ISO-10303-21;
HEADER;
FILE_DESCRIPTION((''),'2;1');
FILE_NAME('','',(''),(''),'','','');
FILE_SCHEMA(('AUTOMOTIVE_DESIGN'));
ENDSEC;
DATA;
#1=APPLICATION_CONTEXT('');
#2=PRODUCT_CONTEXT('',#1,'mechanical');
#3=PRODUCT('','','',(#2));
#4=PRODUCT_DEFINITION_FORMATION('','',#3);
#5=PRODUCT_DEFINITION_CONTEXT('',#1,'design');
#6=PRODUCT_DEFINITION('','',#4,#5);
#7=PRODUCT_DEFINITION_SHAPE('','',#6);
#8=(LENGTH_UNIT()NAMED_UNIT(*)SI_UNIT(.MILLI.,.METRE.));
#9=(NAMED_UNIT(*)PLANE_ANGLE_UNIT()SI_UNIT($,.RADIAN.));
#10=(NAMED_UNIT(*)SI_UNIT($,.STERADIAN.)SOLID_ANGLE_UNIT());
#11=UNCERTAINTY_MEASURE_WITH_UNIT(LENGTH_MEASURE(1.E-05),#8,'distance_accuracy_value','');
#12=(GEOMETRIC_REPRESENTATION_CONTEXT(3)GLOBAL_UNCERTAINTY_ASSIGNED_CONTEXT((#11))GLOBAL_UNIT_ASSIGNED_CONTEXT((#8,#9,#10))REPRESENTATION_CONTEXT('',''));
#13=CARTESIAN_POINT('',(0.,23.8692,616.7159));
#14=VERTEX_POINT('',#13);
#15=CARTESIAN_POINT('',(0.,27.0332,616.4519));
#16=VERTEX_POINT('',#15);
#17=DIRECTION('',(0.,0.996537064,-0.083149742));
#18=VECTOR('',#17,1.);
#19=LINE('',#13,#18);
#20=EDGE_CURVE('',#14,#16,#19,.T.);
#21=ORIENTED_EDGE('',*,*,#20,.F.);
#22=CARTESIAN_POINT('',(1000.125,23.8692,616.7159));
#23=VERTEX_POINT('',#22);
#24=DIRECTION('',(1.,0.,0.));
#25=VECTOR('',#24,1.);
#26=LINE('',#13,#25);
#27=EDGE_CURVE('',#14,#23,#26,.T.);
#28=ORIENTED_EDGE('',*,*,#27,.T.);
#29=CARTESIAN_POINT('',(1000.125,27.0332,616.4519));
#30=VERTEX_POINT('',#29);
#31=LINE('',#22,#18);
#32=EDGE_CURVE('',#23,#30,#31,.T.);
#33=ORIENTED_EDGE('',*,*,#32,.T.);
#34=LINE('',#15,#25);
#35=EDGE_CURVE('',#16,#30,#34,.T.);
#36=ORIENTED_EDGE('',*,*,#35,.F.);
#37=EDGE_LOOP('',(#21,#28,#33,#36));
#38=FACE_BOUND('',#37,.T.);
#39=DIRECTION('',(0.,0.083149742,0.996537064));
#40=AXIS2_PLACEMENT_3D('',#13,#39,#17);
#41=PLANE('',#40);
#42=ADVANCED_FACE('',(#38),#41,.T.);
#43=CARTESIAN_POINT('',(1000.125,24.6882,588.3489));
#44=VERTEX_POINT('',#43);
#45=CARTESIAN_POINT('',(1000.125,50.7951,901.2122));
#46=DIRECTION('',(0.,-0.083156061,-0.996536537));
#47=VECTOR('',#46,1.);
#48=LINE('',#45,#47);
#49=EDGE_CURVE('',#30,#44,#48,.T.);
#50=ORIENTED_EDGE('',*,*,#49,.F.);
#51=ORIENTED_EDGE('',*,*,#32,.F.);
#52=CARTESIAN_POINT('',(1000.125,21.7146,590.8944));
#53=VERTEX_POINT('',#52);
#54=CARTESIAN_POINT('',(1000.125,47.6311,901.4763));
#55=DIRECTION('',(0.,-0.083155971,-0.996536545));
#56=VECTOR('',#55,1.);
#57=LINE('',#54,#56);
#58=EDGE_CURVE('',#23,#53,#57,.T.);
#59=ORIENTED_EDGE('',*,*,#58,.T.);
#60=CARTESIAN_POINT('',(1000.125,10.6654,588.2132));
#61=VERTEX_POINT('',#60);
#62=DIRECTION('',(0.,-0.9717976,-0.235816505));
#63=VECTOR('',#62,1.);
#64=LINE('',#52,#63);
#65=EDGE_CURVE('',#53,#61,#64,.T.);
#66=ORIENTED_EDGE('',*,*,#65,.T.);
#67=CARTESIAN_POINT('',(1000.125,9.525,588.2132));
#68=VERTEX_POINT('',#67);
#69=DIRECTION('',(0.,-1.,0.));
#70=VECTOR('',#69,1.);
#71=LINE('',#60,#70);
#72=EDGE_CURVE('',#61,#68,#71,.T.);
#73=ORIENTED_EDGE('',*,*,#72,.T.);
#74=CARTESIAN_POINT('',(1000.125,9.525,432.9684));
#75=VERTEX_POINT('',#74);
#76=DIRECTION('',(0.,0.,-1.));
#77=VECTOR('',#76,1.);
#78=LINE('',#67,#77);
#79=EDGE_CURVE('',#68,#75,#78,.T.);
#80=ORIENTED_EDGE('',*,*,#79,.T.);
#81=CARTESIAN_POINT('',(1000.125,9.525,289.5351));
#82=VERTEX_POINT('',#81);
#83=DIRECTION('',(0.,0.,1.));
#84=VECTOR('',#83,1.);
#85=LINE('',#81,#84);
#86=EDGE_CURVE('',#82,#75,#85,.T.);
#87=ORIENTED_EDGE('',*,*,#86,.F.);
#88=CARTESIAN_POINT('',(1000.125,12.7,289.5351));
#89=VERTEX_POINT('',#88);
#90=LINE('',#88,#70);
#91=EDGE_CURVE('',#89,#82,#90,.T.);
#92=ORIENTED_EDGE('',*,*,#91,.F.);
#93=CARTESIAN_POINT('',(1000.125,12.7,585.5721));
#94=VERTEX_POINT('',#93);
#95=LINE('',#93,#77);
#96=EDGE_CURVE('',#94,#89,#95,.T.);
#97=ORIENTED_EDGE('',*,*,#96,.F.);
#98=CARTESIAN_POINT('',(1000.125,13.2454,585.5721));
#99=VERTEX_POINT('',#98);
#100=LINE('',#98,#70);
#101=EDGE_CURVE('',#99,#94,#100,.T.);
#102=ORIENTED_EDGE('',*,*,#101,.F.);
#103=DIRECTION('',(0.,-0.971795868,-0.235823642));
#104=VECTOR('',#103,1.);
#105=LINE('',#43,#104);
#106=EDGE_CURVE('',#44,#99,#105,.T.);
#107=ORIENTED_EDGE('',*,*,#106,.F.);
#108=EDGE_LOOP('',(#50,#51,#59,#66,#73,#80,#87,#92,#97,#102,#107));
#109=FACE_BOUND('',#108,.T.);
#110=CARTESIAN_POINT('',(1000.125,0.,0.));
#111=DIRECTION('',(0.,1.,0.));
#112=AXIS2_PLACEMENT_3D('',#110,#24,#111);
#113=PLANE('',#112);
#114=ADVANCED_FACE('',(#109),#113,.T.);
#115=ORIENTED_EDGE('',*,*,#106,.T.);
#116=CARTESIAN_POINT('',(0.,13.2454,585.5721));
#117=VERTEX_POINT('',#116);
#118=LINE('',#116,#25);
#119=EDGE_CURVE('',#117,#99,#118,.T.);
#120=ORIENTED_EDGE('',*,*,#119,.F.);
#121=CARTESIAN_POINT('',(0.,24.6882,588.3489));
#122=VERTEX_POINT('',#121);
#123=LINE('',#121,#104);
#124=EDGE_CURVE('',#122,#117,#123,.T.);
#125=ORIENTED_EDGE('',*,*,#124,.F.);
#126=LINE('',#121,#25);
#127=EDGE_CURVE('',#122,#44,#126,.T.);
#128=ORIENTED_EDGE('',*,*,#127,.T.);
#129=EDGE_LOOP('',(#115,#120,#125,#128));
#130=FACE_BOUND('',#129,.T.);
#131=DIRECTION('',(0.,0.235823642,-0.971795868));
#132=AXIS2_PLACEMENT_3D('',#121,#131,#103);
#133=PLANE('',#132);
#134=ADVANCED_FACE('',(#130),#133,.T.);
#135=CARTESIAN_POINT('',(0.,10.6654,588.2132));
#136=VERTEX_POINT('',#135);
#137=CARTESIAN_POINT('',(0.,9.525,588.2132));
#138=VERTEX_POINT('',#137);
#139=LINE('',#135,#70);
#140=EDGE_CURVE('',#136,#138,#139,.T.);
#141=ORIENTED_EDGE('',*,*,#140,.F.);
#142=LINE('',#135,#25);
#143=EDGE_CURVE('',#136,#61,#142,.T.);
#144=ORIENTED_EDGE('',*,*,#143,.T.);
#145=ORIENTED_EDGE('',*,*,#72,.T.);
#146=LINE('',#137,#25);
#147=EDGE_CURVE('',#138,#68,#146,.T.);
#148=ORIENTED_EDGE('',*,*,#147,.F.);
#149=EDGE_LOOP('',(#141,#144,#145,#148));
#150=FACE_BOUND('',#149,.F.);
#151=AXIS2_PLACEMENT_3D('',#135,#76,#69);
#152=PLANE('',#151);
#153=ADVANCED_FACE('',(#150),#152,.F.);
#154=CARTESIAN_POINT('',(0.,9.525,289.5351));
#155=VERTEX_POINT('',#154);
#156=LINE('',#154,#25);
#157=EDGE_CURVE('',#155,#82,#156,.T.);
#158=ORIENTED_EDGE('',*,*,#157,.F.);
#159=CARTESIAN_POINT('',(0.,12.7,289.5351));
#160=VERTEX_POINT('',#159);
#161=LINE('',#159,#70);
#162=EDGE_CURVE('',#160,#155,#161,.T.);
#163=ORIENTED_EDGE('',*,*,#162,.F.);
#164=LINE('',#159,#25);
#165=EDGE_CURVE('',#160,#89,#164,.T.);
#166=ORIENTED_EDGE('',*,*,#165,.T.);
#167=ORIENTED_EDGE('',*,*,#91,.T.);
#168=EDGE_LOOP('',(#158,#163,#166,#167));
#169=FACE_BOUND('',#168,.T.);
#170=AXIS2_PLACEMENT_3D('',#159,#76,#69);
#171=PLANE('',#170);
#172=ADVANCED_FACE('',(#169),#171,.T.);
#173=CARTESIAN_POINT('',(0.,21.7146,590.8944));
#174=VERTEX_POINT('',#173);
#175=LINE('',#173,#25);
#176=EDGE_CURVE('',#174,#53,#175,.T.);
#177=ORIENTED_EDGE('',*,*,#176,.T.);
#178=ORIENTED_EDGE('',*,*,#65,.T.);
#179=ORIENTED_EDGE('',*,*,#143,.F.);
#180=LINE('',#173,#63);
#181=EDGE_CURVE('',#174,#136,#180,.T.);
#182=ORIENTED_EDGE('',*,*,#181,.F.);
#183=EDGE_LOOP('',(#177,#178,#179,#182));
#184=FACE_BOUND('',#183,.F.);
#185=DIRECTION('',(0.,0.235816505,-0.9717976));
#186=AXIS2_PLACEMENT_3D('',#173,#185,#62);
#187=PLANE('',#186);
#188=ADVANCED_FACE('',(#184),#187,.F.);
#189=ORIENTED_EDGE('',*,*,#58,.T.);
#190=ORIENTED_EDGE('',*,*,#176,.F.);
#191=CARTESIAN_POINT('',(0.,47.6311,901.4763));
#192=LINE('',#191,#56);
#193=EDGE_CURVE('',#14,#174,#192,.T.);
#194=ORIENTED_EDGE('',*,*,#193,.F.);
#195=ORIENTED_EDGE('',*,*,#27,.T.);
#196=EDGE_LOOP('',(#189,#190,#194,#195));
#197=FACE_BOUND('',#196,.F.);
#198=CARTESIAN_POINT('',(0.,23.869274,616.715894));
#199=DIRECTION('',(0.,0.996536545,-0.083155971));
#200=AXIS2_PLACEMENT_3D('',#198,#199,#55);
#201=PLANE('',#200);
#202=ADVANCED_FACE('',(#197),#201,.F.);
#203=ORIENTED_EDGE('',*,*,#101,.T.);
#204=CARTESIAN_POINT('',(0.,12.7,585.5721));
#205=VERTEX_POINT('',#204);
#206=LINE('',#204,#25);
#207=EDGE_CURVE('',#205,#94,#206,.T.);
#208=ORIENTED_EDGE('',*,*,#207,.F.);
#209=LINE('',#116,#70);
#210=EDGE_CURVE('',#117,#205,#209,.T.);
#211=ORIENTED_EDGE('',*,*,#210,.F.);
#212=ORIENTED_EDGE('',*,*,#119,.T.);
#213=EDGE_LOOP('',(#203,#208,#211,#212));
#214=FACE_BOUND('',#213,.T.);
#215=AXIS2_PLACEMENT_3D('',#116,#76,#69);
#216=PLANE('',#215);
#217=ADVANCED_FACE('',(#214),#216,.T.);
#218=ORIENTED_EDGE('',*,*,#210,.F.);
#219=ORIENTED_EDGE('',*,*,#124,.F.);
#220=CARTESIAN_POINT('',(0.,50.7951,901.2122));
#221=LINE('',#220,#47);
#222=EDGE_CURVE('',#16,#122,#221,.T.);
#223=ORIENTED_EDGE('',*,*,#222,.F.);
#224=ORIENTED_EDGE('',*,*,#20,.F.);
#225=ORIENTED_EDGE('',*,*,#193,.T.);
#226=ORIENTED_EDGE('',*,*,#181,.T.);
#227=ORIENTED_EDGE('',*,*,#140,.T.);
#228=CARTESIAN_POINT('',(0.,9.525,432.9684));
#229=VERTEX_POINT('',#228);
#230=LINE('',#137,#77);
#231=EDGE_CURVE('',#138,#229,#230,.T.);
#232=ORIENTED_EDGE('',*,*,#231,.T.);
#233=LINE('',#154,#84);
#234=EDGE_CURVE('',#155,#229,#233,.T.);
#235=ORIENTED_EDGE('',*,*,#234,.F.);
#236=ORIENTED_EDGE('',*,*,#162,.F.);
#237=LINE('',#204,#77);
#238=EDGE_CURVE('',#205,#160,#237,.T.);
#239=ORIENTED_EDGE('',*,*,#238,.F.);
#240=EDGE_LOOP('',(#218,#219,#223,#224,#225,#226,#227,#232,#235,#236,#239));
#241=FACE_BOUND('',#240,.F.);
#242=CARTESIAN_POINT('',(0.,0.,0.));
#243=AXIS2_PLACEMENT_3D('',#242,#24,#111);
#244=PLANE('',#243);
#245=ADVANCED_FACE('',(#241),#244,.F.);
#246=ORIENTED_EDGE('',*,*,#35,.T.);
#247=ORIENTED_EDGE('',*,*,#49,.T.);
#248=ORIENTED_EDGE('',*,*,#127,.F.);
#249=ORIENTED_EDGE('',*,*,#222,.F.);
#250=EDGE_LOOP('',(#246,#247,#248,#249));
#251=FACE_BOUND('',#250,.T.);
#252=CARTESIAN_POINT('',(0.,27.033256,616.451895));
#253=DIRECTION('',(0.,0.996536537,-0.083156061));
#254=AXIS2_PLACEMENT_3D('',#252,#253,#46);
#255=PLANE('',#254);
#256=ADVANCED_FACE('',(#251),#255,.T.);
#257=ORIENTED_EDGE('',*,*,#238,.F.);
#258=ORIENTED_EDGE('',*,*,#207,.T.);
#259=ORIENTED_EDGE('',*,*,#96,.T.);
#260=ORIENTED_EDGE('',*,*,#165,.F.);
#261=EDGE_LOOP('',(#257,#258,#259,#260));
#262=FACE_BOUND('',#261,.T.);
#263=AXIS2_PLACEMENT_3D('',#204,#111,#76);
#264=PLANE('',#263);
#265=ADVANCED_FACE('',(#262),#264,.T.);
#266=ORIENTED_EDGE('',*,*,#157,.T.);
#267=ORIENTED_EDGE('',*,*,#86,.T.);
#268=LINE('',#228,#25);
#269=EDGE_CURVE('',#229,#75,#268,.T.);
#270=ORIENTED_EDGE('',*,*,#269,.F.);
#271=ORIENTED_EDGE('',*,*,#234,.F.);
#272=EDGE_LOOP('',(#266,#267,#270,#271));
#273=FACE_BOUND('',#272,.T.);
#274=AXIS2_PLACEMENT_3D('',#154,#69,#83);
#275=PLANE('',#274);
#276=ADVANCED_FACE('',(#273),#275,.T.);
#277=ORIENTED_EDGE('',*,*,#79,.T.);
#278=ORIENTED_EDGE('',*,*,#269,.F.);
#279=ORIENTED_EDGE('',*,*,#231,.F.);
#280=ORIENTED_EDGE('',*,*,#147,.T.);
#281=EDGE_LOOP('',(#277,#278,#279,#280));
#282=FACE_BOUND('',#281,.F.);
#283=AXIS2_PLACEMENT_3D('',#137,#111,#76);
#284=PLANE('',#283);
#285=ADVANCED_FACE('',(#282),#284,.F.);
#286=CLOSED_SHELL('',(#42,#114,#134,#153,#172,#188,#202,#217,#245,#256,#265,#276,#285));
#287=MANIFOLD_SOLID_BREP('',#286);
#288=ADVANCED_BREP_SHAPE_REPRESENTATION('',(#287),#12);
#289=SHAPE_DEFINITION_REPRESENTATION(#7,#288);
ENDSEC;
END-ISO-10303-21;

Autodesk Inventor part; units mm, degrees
ref_plane "YZ Plane" through (0, 0, 0) normal (1, 0, 0) x (0, 1, 0)
ref_plane "XZ Plane" through (0, 0, 0) normal (0, 1, 0) x (-1, 0, 0)
ref_plane "XY Plane" through (0, 0, 0) normal (0, 0, 1) x (1, 0, 0)
sketch "Sketch1" plane through (0, 0, 0) normal (1, 0, 0) x (0, 1, 0)
  line L0 (0, 0) -> (0, 597.7382)
  line L1 (0, 0) -> (3.175, 0)
  line L2 (3.175, 0) -> (3.175, 594.5632)
  line L3 (3.175, 594.5632) -> (9.906, 594.5632)
  line L4 (9.906, 594.5632) -> (15.756, 595.9828)
  line L5 (0, 597.7382) -> (9.5263, 597.7382)
  line L6 (9.5263, 597.7382) -> (12.7824, 598.5283)
  line L7 (41.2921, 902.0052) -> (15.756, 595.9828)
  line L8 (12.7824, 598.5283) -> (38.1281, 902.2692)
  line L9 (38.1281, 902.2692) -> (41.2921, 902.0052)
  line L10 (41.2921, 902.0052) -> (44.4671, 901.7403)
  line L11 (44.4671, 901.7403) -> (18.7409, 593.44)
  line L12 (18.7409, 593.44) -> (10.2857, 591.3882)
  line L13 (10.2857, 591.3882) -> (6.35, 591.3882)
  line L14 (6.35, 591.3882) -> (6.35, 574.5988)
  line L15 (6.35, 574.5988) -> (3.175, 574.5988)
  line L16 (44.4671, 901.7403) -> (47.6311, 901.4763)
  line L17 (47.6311, 901.4763) -> (21.7146, 590.8944)
  line L18 (21.7146, 590.8944) -> (10.6654, 588.2132)
  line L19 (10.6654, 588.2132) -> (9.525, 588.2132)
  line L20 (9.525, 588.2132) -> (9.525, 432.9684)
  line L21 (9.525, 432.9684) -> (6.35, 432.9684)
  line L22 (6.35, 432.9684) -> (6.35, 574.5988)
  line L23 (32.5862, 759.3601) -> (35.7502, 759.0961)
  line L24 (47.6311, 901.4763) -> (50.7951, 901.2122)
  line L25 (50.7951, 901.2122) -> (24.6882, 588.3489)
  line L26 (24.6882, 588.3489) -> (13.2454, 585.5721)
  line L27 (13.2454, 585.5721) -> (12.7, 585.5721)
  line L28 (12.7, 585.5721) -> (12.7, 289.5351)
  line L29 (23.8692, 616.7159) -> (27.0332, 616.4519)
  line L30 (12.7, 289.5351) -> (9.525, 289.5351)
  line L31 (9.525, 289.5351) -> (9.525, 432.9684)
  line L32 (15.875, 582.9431) -> (20.5529, 584.0783)
  line L33 (15.875, 582.9431) -> (15.875, 573.3366)
  point P0 (14.5133, 592.4141)
  dimension "d0" = 594.5632
  dimension "d1" = 3.175
  dimension "d2" = 6.731
  dimension "d7" = 3.175
  dimension "d8" = 6.0198
  dimension "d9" = 166.36
  dimension "d10" = 3.175
  dimension "d11" = 108.41
  dimension "d12" = 3.175
  dimension "d13" = 307.086
  dimension "d18" = 3.175
  dimension "d20" = 307.1025
  dimension "d21" = 8.7006
  dimension "d22" = 3.175
  dimension "d23" = 3.175
  dimension "d24" = 3.9357
  dimension "d25" = 16.7894
  dimension "d28" = 3.175
  dimension "d29" = 3.186
  dimension "d30" = 3.175
  dimension "d32" = 3.175
  dimension "d33" = 3.175
  dimension "d34" = 142.875
  dimension "d35" = 168.7862
  dimension "d36" = 11.3698
  dimension "d37" = 1.1404
  dimension "d38" = 155.2448
  dimension "d41" = 3.175
  dimension "d42" = 3.175
  dimension "d43" = 3.175
  dimension "d44" = 142.875
  dimension "d45" = 296.037
  dimension "d46" = 28.2007
  dimension "d47" = 11.7749
  dimension "d48" = 0.5454
  dimension "d51" = 3.175
  dimension "d52" = 3.175
  dimension "d53" = 2.629
extrude "Extrusion4" add sketch "Sketch1" along normal blind 1000.125 contours L20 L19 L18 L17 L29 L25 L26 L27 L28 L30 L31
properties part number "Third_Shingle_Over_Intake_Vent_With_Length_39.375_Inches"
